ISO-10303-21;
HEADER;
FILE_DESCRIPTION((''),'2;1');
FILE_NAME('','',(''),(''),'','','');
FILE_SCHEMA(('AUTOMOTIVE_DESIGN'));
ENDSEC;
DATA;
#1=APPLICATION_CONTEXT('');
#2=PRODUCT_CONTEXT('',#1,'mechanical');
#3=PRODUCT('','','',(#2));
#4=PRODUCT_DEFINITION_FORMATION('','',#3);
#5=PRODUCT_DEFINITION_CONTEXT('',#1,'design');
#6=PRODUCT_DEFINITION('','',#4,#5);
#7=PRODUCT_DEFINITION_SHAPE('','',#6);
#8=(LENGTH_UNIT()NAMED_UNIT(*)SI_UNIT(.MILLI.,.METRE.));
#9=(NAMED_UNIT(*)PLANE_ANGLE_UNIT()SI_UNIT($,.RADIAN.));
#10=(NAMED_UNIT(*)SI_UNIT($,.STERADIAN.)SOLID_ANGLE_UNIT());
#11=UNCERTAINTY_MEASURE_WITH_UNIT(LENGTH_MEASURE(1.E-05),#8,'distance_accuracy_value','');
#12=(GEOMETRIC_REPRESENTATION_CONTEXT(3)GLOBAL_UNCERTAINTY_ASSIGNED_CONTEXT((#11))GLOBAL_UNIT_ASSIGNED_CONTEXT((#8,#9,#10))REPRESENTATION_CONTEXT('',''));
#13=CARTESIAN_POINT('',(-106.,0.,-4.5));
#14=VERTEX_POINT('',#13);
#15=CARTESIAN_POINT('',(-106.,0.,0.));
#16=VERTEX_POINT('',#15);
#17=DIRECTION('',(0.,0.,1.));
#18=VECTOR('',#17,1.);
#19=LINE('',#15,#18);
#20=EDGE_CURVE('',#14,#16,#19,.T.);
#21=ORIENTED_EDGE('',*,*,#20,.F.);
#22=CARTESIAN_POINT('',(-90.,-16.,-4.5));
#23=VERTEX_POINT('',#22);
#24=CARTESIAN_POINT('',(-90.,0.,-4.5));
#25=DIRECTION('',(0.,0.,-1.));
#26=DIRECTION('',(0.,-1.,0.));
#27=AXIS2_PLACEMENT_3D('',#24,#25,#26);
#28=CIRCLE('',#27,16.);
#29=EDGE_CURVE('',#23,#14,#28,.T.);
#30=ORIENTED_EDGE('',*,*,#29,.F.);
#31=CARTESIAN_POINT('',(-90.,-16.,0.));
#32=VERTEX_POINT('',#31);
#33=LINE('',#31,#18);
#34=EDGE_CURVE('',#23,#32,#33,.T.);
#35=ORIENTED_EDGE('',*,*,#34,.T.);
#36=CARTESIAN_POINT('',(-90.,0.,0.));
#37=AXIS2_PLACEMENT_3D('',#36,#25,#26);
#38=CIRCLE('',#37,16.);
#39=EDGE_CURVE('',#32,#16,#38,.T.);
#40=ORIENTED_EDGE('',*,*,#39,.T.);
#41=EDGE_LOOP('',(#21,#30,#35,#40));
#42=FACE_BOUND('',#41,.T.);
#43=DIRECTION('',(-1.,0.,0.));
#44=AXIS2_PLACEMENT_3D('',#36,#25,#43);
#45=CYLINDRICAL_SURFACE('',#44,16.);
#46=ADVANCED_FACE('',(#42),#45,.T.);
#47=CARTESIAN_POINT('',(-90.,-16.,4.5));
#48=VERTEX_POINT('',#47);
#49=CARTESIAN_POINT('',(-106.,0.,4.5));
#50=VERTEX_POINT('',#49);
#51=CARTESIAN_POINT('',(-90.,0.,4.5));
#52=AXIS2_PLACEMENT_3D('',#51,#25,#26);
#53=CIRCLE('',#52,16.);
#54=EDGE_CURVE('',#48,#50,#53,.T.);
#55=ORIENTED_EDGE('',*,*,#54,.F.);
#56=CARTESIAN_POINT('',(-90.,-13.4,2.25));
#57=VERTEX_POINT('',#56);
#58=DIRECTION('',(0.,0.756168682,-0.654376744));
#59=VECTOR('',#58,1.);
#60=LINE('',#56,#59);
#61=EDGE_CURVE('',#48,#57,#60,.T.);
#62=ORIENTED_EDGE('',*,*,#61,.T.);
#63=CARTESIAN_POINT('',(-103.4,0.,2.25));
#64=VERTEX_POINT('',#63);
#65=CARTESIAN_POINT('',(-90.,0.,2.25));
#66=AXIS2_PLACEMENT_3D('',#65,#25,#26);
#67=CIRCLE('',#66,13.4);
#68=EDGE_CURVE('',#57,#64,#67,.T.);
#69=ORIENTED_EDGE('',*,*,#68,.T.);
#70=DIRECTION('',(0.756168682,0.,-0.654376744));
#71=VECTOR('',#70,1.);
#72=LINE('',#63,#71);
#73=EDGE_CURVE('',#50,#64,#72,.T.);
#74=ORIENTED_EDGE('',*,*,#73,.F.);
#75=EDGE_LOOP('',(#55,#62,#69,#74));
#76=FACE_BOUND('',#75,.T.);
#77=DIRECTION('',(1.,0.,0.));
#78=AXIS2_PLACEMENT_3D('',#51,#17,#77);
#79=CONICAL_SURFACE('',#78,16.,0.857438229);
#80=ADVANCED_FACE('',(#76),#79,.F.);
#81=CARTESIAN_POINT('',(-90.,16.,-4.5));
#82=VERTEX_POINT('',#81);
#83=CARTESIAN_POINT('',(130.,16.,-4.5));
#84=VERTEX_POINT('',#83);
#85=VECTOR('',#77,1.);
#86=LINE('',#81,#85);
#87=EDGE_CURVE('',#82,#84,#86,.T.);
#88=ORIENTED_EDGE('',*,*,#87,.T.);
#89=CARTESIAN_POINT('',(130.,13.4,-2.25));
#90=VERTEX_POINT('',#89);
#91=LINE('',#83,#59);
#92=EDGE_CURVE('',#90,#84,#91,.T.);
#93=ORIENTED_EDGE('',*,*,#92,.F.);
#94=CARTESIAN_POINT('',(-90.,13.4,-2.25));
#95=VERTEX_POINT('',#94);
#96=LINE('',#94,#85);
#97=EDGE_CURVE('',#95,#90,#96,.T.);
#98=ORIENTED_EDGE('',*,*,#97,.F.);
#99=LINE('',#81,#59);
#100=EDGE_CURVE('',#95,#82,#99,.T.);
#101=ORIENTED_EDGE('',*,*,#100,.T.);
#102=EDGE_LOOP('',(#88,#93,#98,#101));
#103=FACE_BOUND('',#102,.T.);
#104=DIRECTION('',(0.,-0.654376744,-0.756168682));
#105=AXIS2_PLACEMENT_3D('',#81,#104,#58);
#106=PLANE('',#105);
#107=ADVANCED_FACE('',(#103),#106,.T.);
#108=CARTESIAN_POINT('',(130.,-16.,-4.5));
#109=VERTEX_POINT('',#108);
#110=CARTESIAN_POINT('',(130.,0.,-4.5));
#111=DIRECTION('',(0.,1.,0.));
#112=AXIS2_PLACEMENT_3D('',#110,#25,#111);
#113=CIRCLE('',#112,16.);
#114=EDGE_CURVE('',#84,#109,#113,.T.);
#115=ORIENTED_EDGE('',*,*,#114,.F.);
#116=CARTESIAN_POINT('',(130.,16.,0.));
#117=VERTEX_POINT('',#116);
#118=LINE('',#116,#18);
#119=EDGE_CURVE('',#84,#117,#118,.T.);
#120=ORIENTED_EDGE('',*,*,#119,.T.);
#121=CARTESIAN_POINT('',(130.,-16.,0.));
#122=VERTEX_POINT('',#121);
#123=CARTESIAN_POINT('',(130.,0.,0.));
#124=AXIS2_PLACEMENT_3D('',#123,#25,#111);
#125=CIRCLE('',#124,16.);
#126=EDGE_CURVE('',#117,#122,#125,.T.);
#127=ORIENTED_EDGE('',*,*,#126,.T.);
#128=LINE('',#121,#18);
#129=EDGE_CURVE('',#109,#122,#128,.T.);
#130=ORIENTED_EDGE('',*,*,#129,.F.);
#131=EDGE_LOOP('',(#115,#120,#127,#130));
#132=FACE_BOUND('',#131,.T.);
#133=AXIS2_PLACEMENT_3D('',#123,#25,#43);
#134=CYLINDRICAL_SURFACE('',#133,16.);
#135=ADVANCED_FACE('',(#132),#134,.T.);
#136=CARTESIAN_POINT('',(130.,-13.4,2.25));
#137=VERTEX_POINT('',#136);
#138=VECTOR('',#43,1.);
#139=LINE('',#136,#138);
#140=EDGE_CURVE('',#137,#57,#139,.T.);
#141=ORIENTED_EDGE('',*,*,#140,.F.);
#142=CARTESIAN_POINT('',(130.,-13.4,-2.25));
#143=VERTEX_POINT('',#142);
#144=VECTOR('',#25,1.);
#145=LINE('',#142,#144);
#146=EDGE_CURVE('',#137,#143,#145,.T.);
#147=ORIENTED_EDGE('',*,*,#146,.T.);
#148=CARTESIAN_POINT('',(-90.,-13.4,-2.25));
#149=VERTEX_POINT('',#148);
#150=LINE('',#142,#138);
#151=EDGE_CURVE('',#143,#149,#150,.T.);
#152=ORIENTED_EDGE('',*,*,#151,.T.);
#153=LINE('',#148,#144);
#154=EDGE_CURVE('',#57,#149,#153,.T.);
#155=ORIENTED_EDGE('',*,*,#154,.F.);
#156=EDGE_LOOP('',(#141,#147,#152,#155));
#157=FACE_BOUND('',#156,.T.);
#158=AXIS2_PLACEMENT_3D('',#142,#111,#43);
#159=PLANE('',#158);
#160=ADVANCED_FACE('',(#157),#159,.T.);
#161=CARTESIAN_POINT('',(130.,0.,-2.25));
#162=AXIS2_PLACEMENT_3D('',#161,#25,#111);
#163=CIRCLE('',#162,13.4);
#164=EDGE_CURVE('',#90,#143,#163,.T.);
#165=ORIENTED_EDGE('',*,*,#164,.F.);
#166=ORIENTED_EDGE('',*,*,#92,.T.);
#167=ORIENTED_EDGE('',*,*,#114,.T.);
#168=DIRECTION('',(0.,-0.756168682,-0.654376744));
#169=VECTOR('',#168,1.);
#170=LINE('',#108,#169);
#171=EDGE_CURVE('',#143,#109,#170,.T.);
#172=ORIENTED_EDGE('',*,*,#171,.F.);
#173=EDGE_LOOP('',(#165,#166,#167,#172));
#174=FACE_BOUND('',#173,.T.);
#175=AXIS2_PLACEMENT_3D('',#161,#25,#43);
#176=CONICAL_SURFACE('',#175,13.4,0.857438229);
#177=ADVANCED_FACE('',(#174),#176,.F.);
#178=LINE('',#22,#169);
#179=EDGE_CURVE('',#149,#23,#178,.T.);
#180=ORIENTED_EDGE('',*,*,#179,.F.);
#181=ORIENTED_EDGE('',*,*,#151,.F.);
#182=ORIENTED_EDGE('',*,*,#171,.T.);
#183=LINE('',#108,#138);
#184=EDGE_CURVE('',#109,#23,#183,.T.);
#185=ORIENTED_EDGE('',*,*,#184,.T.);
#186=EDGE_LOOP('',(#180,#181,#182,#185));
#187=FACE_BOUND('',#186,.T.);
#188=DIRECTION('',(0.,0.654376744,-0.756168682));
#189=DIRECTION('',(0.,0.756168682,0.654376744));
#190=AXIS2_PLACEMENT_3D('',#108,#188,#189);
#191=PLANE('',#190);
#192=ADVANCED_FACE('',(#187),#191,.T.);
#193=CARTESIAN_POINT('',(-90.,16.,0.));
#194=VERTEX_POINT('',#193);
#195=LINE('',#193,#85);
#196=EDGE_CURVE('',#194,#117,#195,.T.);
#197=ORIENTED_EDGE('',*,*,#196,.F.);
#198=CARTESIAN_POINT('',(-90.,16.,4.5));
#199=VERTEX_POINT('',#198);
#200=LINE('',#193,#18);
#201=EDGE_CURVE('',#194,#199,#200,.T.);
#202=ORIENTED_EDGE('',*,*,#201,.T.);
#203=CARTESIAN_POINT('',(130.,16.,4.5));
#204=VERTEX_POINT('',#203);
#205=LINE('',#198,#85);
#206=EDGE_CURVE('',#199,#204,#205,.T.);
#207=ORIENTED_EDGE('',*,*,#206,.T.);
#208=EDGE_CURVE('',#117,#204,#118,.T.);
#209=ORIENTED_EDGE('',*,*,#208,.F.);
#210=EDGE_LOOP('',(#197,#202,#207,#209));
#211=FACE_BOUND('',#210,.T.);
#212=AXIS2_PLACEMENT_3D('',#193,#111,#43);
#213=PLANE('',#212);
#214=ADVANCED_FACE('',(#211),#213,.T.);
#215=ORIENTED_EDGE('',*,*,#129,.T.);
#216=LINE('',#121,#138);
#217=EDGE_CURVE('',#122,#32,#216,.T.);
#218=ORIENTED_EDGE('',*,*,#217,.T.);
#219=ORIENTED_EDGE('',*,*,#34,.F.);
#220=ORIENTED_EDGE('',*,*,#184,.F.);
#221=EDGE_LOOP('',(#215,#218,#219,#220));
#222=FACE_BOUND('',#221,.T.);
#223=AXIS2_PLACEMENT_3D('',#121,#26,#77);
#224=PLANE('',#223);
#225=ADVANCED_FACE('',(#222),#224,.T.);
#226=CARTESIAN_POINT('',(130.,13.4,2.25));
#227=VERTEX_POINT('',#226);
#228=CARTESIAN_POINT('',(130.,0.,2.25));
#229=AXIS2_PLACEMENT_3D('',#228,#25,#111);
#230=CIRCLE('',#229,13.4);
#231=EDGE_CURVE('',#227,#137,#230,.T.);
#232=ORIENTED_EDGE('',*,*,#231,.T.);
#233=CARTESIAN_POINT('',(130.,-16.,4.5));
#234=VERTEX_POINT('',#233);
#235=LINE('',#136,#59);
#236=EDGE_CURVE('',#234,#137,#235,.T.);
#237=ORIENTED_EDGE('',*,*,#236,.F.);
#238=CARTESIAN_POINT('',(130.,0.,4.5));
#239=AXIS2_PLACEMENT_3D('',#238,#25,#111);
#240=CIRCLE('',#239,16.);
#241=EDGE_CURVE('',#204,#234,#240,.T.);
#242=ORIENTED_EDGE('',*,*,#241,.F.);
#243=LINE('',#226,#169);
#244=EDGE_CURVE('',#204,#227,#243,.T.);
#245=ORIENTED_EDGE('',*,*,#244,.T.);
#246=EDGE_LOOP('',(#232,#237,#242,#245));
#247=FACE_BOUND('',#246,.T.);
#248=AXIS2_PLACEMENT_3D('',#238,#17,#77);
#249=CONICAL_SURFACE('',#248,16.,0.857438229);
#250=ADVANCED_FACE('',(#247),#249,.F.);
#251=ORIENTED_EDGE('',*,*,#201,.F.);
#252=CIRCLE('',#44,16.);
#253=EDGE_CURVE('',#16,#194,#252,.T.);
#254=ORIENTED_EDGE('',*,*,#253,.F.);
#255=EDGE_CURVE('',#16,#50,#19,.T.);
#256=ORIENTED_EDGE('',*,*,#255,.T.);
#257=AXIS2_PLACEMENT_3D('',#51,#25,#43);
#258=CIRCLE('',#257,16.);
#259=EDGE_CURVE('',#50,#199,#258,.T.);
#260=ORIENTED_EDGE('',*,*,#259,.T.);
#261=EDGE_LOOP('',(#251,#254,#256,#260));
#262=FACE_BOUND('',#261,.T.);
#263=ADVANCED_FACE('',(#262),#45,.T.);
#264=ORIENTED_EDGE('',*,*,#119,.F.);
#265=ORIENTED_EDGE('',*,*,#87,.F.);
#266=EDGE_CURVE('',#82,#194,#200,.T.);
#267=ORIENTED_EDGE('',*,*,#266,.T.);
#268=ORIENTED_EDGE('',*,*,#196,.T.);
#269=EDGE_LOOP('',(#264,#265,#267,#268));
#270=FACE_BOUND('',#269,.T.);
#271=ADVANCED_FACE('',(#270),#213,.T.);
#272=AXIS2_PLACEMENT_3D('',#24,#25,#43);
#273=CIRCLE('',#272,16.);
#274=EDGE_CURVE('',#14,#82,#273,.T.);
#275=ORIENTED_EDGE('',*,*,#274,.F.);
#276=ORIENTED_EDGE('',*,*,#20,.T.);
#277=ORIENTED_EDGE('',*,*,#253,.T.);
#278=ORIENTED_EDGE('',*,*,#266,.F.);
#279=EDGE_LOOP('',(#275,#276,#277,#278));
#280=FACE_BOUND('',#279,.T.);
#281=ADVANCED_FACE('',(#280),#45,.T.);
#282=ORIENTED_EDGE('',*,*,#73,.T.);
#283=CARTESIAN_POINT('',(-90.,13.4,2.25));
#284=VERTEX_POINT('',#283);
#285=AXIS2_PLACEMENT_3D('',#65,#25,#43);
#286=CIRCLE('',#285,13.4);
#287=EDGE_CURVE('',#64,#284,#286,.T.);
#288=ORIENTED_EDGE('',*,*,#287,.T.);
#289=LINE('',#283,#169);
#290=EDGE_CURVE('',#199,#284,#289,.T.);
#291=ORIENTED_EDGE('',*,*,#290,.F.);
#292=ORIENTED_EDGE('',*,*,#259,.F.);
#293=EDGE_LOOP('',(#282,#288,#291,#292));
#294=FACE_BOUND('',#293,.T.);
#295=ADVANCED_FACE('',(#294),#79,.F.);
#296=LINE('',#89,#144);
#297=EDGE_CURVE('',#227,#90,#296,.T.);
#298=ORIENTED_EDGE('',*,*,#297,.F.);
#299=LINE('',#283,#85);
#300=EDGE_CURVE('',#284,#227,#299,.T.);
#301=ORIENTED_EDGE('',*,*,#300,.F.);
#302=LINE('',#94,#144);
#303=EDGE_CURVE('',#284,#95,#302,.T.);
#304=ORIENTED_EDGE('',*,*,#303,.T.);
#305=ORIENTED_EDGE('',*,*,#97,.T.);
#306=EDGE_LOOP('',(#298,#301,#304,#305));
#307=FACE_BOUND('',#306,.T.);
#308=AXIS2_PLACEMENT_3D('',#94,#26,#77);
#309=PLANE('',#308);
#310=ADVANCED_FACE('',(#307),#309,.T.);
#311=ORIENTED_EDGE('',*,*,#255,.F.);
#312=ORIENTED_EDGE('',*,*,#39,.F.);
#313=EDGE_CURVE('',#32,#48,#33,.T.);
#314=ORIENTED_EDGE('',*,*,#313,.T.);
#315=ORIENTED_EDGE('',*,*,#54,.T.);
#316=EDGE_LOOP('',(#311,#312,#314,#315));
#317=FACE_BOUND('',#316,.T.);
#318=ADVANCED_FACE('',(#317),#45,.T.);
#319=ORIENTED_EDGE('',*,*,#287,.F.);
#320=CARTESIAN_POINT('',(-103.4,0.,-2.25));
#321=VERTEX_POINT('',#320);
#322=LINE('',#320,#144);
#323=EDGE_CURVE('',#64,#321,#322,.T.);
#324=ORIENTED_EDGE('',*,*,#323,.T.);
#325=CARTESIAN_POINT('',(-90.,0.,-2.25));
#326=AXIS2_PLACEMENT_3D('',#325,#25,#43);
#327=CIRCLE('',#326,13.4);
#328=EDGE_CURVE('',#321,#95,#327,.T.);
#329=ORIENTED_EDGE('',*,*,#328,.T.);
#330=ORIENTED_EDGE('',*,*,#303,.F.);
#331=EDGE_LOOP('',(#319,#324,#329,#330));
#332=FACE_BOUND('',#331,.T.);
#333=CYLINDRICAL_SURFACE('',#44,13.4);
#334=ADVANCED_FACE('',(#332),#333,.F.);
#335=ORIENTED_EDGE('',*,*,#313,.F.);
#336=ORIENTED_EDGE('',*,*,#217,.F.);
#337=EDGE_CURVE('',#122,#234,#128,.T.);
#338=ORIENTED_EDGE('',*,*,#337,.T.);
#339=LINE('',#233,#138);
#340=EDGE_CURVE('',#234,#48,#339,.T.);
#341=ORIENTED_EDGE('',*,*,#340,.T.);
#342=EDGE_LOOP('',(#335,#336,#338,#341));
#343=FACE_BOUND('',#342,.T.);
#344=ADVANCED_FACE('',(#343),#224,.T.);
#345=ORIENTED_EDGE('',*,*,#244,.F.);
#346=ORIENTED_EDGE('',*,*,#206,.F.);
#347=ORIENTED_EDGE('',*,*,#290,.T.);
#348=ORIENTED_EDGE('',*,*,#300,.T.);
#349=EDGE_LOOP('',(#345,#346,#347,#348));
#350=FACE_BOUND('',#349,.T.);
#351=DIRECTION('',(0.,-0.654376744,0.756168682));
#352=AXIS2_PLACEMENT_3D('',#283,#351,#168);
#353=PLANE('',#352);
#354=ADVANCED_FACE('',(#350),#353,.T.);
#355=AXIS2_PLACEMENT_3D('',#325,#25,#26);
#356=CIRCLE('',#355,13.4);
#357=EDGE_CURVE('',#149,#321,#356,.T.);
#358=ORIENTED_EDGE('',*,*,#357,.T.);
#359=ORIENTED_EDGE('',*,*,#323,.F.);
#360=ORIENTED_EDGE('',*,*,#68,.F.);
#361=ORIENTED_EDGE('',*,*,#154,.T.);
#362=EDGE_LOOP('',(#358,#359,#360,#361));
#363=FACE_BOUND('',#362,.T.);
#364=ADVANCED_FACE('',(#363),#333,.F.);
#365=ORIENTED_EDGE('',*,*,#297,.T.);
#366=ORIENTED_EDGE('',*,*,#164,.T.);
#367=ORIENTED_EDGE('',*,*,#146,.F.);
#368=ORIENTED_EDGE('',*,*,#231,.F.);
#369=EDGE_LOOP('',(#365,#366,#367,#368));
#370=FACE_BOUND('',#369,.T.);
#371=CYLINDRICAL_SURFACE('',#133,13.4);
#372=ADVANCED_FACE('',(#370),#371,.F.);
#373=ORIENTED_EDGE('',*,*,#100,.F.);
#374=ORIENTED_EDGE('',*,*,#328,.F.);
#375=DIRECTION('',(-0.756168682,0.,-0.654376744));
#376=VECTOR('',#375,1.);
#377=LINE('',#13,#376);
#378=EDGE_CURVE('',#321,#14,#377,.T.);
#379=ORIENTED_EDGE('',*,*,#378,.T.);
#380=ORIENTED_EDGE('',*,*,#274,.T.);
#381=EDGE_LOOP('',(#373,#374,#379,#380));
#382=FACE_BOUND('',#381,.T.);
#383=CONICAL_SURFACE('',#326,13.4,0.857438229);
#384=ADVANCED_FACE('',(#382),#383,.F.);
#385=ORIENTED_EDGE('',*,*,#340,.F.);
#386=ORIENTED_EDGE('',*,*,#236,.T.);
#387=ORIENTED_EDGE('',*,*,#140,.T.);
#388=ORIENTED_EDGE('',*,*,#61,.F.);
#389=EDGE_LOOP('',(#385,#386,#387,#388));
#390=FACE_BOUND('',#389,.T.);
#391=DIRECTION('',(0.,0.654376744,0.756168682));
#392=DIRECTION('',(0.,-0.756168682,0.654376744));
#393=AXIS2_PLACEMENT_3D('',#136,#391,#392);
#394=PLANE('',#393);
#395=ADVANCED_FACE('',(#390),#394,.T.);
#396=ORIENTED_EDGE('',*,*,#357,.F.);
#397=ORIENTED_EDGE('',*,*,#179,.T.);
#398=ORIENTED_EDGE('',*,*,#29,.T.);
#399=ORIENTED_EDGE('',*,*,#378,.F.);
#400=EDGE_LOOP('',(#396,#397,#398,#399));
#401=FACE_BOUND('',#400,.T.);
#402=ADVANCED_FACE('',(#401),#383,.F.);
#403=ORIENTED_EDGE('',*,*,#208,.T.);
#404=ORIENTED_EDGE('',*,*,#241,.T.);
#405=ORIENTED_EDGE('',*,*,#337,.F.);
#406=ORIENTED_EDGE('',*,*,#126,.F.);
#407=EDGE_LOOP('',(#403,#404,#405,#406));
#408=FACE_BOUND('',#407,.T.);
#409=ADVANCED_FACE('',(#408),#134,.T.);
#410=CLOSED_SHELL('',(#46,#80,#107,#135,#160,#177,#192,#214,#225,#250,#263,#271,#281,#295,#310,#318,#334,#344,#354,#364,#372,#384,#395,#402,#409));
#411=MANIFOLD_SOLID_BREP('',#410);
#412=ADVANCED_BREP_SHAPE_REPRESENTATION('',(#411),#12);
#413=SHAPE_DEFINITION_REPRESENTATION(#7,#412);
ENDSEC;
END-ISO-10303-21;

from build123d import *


with BuildPart() as part:
    # 扫描1: sweep along a path in 草图1
    with BuildLine(Plane.XY) as sweep_1_path:
        Line((-90, 16), (130, 16))
        ThreePointArc((130, 16), (146, 0), (130, -16))
        Line((130, -16), (-90, -16))
        ThreePointArc((-90, -16), (-106, 0), (-90, 16))
    # 草图2 → 扫描1 (sweep)
    with BuildSketch(Plane(origin=(0, 0, 0), x_dir=(1, 0, 0), z_dir=(0, 1, 0))):
        Polygon((-106, 0), (-106, 4.5), (-103.4, 2.25), (-103.4, -2.25), (-106, -4.5), align=None)
    sweep(path=sweep_1_path.line)


solid = part.part
